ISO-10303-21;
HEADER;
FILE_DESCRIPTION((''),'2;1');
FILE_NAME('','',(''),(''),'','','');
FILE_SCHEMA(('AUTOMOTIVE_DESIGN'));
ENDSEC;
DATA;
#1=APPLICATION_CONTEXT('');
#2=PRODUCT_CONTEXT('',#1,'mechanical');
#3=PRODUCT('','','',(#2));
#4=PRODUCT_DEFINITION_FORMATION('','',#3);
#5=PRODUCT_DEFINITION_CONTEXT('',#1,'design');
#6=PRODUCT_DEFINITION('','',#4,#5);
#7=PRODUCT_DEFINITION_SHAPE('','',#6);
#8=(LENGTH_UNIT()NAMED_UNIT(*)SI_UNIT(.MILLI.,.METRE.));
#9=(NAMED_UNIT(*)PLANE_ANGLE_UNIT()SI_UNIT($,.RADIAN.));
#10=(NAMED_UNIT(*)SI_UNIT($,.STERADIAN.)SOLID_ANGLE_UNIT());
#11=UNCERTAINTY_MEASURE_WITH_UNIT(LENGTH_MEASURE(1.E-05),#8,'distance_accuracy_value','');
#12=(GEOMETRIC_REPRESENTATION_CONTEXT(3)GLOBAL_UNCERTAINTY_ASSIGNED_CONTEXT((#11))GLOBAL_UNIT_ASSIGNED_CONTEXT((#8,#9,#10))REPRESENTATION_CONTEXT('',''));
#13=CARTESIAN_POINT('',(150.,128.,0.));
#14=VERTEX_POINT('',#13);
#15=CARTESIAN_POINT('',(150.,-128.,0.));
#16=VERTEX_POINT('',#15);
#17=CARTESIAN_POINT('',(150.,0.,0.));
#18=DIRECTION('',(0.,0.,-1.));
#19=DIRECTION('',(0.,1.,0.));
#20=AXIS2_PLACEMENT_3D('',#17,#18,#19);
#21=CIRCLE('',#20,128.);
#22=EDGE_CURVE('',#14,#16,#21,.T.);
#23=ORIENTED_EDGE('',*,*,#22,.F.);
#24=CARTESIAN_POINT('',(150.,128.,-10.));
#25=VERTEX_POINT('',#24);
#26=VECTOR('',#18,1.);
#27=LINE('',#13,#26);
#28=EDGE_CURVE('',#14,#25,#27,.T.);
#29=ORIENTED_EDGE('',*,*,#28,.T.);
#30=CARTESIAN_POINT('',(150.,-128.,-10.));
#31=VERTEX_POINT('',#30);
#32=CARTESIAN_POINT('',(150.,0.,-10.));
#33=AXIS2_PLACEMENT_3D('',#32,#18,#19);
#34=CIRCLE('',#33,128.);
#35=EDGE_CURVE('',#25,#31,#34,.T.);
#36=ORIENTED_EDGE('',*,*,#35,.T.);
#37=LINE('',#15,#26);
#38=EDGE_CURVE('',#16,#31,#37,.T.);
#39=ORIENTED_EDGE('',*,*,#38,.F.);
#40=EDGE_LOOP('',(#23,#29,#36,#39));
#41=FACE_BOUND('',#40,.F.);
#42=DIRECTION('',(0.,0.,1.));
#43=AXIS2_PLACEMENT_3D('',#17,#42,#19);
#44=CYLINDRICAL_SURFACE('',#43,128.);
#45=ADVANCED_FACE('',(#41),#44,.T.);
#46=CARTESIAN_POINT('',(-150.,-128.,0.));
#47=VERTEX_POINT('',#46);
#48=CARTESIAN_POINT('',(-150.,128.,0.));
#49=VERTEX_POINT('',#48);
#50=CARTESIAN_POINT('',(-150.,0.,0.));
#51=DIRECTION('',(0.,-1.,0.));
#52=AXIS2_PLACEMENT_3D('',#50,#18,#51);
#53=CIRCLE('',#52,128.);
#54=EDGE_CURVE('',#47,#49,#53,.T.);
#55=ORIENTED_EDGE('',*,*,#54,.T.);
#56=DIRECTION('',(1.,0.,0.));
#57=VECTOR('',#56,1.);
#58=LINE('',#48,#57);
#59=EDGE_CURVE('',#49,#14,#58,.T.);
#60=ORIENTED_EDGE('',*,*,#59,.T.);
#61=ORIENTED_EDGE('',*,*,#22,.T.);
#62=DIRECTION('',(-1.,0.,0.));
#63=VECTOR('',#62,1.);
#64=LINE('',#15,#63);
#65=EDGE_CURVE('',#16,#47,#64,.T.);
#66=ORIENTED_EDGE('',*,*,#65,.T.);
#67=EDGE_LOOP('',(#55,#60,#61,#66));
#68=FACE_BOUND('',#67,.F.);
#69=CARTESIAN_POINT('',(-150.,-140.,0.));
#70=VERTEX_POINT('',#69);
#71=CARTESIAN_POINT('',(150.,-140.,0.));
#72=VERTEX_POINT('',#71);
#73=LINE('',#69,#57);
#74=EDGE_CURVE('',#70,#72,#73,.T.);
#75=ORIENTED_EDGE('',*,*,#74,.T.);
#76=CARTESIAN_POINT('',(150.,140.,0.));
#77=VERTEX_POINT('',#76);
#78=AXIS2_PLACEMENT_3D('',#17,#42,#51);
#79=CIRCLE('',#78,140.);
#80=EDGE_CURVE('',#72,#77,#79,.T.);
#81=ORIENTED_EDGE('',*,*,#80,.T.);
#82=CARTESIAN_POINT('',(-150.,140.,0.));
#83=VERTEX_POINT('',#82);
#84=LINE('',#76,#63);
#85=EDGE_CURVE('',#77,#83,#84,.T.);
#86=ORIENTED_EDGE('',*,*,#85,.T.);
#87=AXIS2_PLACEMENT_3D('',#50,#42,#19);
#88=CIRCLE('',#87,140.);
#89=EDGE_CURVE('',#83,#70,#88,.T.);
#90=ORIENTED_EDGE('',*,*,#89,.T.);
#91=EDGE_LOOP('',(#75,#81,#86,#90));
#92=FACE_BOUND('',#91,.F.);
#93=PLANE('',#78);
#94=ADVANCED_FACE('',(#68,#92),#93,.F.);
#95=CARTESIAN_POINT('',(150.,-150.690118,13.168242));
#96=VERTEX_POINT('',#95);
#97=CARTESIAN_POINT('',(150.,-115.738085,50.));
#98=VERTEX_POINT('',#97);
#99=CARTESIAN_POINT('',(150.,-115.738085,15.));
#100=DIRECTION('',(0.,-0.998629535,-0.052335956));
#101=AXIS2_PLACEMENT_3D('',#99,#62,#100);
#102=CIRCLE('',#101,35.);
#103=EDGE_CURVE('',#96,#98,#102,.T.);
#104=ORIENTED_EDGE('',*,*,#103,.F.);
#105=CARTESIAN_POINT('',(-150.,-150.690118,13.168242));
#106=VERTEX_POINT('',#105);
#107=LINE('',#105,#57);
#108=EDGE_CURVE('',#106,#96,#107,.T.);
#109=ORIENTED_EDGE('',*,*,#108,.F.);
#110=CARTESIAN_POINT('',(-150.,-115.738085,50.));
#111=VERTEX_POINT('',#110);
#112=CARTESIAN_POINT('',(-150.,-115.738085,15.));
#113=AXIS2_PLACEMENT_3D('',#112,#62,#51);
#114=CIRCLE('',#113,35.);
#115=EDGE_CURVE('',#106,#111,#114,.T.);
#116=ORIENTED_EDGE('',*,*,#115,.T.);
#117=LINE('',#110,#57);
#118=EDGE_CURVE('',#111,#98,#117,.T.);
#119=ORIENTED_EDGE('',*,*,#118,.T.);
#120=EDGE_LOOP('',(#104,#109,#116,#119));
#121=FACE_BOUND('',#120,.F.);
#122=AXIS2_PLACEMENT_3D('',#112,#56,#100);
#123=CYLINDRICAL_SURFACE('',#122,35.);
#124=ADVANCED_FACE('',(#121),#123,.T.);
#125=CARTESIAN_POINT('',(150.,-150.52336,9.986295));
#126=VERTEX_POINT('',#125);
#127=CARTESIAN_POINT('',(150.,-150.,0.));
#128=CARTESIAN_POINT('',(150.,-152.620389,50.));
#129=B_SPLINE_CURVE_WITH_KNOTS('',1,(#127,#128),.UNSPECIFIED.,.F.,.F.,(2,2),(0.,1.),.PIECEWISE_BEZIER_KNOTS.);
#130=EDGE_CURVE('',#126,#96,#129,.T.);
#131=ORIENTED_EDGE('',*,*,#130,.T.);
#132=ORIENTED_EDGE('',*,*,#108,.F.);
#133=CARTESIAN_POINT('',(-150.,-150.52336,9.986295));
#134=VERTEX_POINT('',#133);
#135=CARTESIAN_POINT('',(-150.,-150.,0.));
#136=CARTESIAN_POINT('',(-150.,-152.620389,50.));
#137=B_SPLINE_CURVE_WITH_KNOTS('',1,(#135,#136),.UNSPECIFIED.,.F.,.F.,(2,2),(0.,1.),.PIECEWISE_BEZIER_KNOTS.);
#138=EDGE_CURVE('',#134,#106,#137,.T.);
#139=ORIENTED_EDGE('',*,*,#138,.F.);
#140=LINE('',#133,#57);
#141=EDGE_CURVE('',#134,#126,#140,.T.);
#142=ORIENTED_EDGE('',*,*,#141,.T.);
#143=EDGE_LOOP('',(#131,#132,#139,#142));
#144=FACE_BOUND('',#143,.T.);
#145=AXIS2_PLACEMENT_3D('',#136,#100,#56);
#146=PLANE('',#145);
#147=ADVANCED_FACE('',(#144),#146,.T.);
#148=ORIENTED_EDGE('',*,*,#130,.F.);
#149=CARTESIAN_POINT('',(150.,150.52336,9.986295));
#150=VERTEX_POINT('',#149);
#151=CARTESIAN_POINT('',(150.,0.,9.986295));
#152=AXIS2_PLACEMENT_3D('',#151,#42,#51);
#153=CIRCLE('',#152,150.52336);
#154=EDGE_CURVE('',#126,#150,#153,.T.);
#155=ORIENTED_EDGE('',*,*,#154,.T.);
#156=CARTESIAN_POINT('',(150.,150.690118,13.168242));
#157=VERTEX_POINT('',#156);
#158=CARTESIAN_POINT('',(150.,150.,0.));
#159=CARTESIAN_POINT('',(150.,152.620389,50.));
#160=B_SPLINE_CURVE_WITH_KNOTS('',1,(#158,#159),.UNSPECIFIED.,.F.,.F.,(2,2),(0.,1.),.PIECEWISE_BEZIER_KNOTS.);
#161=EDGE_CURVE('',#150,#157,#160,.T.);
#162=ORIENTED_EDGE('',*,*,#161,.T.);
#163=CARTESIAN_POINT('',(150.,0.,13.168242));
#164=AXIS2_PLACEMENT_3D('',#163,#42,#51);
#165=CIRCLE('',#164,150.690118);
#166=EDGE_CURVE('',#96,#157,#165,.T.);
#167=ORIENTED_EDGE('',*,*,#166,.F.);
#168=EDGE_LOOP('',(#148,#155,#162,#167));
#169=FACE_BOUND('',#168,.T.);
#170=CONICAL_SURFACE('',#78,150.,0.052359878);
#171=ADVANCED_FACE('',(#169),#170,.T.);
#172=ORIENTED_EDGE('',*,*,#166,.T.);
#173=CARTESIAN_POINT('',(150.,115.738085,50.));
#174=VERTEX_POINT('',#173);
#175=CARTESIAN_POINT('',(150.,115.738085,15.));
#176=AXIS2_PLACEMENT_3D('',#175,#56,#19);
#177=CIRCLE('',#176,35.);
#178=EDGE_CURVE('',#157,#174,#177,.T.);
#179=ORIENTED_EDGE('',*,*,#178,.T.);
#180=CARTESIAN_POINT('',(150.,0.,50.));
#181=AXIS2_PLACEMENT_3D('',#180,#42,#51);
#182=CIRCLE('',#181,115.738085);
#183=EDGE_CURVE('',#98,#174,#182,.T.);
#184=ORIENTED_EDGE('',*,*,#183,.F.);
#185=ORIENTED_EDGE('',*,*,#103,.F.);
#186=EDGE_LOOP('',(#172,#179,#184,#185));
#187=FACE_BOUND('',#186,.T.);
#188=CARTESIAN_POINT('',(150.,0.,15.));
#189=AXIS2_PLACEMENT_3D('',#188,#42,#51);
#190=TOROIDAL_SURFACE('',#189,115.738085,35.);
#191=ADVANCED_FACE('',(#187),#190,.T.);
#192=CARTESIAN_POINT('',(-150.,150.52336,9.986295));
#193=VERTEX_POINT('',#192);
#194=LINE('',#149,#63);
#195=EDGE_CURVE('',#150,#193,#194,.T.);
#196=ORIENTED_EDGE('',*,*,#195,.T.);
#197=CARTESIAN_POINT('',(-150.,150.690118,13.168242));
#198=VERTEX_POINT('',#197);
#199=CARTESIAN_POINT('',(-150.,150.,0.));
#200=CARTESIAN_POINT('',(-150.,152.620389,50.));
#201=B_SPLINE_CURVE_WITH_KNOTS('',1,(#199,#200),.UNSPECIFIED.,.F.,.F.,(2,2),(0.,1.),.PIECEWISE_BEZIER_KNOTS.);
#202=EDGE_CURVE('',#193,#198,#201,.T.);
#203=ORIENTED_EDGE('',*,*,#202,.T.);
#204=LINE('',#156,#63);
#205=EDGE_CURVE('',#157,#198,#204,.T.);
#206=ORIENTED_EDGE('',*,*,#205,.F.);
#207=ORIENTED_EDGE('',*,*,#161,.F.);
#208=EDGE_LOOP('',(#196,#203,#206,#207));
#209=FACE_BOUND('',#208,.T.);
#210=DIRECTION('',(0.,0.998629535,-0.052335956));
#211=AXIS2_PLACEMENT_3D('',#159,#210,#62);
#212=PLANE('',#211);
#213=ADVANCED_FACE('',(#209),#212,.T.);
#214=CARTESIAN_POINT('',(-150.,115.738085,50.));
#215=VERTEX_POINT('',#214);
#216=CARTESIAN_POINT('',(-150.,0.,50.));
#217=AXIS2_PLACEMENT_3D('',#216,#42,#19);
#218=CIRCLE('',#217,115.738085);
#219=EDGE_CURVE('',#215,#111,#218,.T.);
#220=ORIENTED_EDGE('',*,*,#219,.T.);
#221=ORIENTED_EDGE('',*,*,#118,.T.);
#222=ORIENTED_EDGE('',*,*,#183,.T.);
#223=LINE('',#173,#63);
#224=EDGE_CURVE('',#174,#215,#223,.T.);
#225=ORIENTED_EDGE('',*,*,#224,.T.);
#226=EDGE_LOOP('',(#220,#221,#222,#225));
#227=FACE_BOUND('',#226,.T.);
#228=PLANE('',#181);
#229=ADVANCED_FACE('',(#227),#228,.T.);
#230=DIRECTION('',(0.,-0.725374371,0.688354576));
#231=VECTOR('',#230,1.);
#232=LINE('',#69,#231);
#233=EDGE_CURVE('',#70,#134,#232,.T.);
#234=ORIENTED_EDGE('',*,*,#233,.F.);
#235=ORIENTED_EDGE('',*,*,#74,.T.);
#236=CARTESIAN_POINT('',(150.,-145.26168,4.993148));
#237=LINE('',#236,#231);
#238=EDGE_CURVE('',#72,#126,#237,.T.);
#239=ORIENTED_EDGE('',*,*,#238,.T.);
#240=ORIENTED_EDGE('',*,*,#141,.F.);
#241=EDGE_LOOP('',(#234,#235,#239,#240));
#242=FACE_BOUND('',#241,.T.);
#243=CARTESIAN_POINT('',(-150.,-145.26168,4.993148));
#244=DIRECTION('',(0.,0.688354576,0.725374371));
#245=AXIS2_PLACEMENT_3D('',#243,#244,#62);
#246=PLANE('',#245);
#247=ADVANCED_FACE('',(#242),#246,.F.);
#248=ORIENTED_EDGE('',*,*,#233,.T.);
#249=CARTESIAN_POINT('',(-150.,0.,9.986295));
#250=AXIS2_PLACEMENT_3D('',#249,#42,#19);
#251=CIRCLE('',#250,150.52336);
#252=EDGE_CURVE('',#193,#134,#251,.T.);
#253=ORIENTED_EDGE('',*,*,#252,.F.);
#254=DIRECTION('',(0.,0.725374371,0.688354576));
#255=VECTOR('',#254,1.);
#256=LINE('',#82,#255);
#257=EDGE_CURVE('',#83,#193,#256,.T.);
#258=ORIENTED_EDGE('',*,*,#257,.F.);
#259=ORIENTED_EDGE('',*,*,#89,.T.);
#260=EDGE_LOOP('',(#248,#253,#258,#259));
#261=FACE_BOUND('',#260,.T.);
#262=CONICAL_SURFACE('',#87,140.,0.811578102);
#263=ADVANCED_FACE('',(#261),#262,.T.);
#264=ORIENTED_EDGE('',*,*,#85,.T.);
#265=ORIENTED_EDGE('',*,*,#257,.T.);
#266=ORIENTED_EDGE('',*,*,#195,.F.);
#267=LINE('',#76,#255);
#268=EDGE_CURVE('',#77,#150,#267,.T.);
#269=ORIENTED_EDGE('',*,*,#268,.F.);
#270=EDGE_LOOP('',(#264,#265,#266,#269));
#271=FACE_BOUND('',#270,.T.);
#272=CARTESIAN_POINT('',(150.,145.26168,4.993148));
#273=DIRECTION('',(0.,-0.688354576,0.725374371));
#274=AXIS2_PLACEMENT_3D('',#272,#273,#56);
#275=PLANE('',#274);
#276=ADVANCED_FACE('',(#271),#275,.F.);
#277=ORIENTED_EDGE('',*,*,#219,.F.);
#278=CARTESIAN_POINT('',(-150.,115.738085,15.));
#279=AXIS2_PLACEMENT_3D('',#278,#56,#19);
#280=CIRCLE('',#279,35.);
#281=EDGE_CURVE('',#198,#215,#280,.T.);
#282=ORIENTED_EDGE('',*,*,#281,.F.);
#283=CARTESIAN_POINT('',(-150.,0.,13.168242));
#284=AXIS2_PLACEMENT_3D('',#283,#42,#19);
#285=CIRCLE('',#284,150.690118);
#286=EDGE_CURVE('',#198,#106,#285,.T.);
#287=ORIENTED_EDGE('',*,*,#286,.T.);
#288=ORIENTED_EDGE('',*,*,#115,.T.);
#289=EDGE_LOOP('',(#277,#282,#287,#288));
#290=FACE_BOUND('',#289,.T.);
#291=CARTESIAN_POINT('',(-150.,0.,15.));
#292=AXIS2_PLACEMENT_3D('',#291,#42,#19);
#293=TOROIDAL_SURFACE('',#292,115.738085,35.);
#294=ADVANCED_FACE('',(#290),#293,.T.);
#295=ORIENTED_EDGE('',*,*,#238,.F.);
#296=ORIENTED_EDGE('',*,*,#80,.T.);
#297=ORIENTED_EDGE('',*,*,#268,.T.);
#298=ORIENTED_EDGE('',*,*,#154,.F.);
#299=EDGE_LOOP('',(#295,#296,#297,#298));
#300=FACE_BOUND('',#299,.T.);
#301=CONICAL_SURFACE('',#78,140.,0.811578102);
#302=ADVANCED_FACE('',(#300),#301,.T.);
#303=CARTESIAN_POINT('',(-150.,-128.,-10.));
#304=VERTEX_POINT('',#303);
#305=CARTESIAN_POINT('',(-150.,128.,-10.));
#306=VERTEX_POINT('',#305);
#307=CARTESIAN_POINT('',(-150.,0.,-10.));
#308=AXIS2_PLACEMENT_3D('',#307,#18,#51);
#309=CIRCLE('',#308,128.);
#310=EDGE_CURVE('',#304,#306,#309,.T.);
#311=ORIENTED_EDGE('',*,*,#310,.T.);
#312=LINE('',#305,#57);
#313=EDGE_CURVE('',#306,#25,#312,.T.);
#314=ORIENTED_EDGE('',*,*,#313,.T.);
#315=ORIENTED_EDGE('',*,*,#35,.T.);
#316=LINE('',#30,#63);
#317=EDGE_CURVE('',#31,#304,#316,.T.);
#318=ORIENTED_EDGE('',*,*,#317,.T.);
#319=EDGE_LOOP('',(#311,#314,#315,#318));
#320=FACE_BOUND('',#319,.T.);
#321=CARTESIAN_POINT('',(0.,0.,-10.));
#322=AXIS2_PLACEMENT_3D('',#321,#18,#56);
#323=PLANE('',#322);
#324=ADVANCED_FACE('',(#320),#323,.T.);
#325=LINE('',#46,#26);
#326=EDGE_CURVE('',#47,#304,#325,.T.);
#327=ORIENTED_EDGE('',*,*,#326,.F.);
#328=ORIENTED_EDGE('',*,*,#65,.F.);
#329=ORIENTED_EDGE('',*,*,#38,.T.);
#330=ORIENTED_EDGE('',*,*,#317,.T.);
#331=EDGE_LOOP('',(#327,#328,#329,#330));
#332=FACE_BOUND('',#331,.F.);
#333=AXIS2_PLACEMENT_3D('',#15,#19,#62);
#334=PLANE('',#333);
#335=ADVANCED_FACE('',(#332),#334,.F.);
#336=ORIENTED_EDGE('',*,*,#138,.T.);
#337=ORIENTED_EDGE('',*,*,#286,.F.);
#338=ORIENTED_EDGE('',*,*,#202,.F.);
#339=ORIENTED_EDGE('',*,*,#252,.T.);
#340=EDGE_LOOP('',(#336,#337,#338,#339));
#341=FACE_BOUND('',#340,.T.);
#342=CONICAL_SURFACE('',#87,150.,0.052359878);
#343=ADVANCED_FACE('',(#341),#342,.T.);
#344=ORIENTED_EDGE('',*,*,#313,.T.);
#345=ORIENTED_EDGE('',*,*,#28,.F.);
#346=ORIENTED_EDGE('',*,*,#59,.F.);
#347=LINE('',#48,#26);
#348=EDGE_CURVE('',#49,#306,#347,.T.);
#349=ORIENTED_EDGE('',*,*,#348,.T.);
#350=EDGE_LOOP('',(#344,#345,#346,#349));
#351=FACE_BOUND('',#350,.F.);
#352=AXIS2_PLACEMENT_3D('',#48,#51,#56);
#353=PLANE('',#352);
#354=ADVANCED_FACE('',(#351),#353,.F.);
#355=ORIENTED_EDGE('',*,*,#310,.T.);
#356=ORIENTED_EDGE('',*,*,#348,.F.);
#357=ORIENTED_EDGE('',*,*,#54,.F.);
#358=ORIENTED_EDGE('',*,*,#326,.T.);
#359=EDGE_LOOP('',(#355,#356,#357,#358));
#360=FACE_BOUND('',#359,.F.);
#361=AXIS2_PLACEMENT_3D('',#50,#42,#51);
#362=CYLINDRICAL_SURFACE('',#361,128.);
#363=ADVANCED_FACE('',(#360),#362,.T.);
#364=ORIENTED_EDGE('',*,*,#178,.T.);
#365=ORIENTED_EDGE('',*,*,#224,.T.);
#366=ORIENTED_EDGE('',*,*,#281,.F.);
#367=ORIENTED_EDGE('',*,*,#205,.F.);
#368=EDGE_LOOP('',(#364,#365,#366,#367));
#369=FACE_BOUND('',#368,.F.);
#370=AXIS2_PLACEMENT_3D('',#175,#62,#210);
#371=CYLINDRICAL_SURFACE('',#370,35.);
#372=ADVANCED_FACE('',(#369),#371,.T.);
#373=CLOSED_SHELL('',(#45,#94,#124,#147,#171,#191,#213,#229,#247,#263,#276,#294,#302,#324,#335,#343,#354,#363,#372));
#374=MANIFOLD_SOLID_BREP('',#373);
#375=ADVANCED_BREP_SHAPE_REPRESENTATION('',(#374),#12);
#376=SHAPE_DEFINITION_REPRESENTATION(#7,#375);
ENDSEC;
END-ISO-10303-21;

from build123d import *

# Parameters (mm, degrees)
F1_DEPTH = 50
F1_TAPER = -3
F2_R     = 35
F3_SIZE  = 10
F5_DEPTH = 10


with BuildPart() as f1:
    # F0 (on Top) → F1 (new body)
    with BuildSketch(Plane.XY):
        with BuildLine():
            ThreePointArc((150, -150), (300, 0), (150, 150))
            Line((150, 150), (-150, 150))
            ThreePointArc((-150, 150), (-300, 0), (-150, -150))
            Line((-150, -150), (150, -150))
        make_face()
    extrude(amount=F1_DEPTH, taper=F1_TAPER)

    # F2
    f2_edges = [f1.edges().sort_by_distance(p)[0] for p in [
        (-302.620389, 0, 50),
        (0, -152.620389, 50),
        (302.620389, 0, 50),
        (0, 152.620389, 50),
    ]]
    fillet(f2_edges, radius=F2_R)

    # F3
    f3_edges = [f1.edges().sort_by_distance(p)[0] for p in [
        (-300, 0, 0),
        (0, -150, 0),
        (300, 0, 0),
        (0, 150, 0),
    ]]
    chamfer(f3_edges, length=F3_SIZE)

    # F4 (on face) → F5 (join)
    with BuildSketch(Plane(origin=(0, 0, 0), x_dir=(1, 0, 0), z_dir=(0, 0, -1))):
        with BuildLine():
            Line((150, 128), (-150, 128))
            ThreePointArc((-150, 128), (-278, 0), (-150, -128))
            Line((-150, -128), (150, -128))
            ThreePointArc((150, -128), (278, 0), (150, 128))
        make_face()
    extrude(amount=F5_DEPTH)


solid = f1.part
